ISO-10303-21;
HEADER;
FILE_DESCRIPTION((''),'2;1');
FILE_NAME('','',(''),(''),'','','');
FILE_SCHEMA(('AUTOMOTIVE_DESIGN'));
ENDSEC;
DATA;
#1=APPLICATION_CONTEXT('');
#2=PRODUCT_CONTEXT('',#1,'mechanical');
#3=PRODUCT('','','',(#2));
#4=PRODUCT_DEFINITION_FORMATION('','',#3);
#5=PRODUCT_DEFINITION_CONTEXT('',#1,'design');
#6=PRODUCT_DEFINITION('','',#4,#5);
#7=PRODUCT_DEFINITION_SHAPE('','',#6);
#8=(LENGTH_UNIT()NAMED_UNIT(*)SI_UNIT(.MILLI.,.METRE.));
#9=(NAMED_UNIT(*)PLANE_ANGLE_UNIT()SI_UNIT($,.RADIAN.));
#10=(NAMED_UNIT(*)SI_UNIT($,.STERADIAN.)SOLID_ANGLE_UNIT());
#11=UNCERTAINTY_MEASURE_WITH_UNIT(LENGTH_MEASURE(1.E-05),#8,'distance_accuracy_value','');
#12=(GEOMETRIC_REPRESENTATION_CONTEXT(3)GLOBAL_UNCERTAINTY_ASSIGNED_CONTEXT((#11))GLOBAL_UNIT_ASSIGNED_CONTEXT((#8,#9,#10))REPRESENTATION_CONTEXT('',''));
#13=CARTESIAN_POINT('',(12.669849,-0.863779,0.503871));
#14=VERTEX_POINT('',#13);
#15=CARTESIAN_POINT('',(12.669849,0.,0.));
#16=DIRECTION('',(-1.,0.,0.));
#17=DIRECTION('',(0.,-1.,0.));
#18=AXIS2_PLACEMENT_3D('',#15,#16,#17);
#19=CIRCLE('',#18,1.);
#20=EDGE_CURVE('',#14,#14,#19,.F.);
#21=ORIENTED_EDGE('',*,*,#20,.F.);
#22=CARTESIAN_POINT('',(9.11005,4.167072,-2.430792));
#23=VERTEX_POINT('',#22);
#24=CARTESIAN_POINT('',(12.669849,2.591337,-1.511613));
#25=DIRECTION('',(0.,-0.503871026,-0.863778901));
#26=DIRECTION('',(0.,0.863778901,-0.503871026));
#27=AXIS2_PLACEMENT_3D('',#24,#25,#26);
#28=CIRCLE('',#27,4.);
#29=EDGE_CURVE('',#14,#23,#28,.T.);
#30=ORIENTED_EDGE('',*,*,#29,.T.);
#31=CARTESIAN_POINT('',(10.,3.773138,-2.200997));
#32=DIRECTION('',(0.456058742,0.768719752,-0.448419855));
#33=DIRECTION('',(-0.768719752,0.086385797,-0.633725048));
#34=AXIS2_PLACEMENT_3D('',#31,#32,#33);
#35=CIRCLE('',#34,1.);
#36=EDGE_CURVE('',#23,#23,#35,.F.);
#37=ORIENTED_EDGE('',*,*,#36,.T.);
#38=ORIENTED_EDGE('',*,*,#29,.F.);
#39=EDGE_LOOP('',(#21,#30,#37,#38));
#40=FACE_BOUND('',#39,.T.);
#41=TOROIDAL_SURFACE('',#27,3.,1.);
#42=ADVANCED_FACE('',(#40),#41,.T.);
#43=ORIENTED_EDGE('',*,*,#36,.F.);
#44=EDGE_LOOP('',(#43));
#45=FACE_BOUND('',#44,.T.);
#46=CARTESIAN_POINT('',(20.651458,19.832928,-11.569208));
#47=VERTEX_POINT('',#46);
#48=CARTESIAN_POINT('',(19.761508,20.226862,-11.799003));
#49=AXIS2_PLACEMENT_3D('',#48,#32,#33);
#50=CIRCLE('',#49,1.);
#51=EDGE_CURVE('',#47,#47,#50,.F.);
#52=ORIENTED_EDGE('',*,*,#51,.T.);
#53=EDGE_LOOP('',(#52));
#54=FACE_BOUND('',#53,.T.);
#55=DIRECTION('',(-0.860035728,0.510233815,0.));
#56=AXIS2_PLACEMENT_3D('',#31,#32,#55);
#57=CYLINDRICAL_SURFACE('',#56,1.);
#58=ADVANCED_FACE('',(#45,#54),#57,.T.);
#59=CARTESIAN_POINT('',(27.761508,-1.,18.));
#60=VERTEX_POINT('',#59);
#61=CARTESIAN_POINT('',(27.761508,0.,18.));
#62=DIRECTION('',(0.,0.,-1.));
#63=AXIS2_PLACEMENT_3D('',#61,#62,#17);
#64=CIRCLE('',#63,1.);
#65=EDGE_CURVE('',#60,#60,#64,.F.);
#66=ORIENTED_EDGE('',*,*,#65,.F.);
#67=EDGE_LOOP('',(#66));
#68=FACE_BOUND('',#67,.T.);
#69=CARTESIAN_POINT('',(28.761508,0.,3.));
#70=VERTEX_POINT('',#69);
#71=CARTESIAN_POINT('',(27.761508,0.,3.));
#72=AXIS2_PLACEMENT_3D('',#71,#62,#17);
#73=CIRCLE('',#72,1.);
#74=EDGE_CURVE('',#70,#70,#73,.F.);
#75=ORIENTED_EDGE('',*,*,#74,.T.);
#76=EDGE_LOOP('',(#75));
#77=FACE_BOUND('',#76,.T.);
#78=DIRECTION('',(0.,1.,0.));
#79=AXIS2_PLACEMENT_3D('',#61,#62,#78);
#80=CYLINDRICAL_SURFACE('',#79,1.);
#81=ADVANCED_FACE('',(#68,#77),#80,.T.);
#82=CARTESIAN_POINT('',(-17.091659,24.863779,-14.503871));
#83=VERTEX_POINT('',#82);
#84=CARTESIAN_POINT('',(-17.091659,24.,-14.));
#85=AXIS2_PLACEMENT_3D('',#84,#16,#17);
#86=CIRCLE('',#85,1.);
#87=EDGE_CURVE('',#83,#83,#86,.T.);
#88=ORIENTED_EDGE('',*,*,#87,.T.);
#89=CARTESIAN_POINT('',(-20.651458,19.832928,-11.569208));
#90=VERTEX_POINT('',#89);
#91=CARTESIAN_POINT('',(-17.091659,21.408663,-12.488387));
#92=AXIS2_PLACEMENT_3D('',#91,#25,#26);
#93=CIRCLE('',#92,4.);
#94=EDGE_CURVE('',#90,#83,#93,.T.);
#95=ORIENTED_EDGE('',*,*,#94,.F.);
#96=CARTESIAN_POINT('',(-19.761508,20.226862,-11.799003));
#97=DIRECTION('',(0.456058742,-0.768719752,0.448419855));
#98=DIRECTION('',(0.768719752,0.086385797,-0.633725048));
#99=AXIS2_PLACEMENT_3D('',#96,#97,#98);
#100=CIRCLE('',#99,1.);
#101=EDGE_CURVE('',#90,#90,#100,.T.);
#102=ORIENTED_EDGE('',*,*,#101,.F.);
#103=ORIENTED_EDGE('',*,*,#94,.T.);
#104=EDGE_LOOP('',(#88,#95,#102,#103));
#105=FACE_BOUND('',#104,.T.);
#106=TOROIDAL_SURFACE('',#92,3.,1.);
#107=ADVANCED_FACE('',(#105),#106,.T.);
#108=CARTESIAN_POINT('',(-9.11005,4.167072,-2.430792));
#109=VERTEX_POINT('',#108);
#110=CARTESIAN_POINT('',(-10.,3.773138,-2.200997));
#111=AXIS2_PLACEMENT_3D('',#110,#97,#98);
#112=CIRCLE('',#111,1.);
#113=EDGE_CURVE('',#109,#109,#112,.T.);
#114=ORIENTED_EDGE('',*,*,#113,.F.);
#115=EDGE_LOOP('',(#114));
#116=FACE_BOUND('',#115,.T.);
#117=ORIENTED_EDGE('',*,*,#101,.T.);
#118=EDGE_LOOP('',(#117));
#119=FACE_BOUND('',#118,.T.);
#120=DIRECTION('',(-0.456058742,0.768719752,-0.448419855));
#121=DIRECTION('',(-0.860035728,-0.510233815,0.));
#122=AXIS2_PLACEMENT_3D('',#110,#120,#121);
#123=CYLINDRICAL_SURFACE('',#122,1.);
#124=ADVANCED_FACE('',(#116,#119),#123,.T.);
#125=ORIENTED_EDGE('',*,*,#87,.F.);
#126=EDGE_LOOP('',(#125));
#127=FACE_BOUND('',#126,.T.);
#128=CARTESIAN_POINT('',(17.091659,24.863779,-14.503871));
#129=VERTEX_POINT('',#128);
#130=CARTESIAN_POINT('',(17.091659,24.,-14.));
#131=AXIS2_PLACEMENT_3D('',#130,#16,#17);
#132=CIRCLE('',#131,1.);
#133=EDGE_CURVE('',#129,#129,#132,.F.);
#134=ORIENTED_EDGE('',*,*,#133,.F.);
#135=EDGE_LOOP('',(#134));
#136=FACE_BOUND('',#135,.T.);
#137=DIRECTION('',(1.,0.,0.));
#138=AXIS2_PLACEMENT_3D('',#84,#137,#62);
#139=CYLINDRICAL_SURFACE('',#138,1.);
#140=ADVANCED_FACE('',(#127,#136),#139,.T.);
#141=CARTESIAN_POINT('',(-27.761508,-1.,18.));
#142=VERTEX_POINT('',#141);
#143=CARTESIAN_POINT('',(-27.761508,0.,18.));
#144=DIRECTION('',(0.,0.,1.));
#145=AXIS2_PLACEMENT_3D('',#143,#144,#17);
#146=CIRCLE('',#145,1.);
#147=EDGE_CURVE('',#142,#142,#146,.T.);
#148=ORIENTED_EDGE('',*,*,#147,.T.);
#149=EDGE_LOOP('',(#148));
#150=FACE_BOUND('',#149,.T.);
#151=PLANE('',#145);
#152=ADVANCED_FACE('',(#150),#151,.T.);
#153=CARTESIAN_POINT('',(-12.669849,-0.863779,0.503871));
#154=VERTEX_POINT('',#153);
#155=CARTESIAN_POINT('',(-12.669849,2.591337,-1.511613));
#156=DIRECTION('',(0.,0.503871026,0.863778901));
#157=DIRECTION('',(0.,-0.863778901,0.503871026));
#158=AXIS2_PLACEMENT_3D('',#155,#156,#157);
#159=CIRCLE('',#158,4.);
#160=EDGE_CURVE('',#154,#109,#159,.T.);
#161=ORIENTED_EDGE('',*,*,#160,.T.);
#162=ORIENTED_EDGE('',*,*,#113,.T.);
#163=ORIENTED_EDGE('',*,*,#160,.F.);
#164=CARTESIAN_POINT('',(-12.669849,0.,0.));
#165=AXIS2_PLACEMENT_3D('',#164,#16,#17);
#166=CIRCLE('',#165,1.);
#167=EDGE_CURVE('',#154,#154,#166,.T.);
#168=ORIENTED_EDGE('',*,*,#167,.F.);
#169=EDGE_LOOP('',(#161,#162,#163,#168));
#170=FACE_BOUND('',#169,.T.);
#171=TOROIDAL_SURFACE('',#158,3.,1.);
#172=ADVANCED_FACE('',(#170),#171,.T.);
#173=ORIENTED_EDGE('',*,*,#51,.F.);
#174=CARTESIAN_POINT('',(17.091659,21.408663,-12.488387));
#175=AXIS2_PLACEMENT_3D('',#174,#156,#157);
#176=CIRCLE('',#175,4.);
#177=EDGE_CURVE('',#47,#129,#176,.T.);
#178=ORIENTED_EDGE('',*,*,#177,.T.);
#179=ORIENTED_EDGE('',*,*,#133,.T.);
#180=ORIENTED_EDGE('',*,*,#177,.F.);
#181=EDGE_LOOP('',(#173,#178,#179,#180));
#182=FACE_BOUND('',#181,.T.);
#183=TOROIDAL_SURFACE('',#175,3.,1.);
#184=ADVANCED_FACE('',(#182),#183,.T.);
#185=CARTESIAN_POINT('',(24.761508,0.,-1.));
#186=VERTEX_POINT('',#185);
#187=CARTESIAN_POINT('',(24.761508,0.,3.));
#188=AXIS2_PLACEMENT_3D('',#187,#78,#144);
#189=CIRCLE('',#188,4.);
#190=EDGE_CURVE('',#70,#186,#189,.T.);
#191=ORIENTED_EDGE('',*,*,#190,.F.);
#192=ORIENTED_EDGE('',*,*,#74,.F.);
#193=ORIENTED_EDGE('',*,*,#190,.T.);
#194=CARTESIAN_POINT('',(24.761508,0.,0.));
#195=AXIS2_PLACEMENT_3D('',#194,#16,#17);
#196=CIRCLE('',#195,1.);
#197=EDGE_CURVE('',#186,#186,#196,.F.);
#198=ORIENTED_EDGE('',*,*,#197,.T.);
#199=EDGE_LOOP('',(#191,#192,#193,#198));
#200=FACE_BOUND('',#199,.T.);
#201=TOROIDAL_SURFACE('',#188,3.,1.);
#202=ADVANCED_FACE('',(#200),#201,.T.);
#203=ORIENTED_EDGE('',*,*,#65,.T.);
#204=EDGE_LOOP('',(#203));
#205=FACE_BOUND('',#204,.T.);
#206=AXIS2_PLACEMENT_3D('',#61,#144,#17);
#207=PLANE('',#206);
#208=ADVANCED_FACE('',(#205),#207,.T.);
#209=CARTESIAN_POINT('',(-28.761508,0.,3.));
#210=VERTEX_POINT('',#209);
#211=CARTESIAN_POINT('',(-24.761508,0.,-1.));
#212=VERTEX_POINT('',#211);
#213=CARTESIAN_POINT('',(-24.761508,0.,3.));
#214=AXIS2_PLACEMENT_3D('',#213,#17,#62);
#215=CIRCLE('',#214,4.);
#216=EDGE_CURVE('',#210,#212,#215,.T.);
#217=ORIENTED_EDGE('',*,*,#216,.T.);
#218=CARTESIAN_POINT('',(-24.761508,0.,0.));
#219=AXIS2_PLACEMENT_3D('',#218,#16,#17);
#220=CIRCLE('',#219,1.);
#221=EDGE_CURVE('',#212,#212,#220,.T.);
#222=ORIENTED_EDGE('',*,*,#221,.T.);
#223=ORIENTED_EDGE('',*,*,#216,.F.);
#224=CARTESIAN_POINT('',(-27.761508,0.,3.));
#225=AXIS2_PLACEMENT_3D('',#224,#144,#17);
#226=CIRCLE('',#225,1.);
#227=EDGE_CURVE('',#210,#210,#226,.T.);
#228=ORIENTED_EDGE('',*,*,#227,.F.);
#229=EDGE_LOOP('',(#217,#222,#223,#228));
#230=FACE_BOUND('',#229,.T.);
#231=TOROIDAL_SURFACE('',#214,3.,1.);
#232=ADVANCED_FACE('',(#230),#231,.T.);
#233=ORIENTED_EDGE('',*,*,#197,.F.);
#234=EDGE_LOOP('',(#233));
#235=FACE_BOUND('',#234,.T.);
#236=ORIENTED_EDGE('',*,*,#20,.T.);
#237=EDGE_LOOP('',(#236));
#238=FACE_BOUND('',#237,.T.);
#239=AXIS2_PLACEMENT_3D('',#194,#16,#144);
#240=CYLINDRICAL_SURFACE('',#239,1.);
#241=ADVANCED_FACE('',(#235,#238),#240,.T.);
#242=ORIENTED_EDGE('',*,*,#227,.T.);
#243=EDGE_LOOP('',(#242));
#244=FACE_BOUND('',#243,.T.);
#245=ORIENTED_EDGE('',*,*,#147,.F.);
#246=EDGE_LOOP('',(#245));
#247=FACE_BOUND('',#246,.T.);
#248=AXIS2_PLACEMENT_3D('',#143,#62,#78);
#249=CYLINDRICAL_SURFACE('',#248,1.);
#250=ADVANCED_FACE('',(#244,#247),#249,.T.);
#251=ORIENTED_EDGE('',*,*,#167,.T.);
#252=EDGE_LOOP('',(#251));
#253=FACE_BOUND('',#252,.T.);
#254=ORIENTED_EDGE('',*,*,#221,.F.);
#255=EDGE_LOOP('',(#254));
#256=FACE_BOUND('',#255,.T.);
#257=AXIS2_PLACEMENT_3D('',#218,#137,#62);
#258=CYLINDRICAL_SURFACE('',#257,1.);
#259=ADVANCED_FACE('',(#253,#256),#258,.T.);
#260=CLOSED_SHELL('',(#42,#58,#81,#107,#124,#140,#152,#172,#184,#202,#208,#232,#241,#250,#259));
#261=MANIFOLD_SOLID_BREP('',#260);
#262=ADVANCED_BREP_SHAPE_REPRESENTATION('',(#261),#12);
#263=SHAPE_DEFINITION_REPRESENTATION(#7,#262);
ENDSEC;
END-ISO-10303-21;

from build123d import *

# Parameters (mm, degrees)
SWEEP2_PROFILE_R = 1


with BuildPart() as part:
    # Sweep2: sweep along a curve in space
    with BuildLine() as sweep2_path:
        Line((-27.761508308, 0, 18), (-27.761508308, 0, 3))
        ThreePointArc((-27.761508308, 0, 3), (-26.882828652, 0, 0.878679656), (-24.761508308, 0, 0))
        Line((-24.761508308, 0, 0), (-12.669849025, 0, 0))
        ThreePointArc((-12.669849025, 0, 0), (-10.11010991, 1.239933795, -0.723294713), (-10, 3.773138459, -2.200997434))
        Line((-10, 3.773138459, -2.200997434), (-19.761508308, 20.226861541, -11.799002566))
        ThreePointArc((-19.761508308, 20.226861541, -11.799002566), (-19.651398399, 22.760066205, -13.276705287), (-17.091659283, 24, -14))
        Line((-17.091659283, 24, -14), (0, 24, -14))
    # Sweep2 profile (on start of the path) → Sweep2 (sweep)
    with BuildSketch(Plane(origin=(-27.761508308, 0, 18), x_dir=(0, -1, 0), z_dir=(0, 0, -1))):
        Circle(SWEEP2_PROFILE_R)
    sweep2 = sweep(path=sweep2_path.line)

    # Mirror1: Sweep2 across plane
    add(sweep2.mirror(Plane(origin=(0, 0, 0), x_dir=(0, 0, 1), z_dir=(1, 0, 0))))


solid = part.part
